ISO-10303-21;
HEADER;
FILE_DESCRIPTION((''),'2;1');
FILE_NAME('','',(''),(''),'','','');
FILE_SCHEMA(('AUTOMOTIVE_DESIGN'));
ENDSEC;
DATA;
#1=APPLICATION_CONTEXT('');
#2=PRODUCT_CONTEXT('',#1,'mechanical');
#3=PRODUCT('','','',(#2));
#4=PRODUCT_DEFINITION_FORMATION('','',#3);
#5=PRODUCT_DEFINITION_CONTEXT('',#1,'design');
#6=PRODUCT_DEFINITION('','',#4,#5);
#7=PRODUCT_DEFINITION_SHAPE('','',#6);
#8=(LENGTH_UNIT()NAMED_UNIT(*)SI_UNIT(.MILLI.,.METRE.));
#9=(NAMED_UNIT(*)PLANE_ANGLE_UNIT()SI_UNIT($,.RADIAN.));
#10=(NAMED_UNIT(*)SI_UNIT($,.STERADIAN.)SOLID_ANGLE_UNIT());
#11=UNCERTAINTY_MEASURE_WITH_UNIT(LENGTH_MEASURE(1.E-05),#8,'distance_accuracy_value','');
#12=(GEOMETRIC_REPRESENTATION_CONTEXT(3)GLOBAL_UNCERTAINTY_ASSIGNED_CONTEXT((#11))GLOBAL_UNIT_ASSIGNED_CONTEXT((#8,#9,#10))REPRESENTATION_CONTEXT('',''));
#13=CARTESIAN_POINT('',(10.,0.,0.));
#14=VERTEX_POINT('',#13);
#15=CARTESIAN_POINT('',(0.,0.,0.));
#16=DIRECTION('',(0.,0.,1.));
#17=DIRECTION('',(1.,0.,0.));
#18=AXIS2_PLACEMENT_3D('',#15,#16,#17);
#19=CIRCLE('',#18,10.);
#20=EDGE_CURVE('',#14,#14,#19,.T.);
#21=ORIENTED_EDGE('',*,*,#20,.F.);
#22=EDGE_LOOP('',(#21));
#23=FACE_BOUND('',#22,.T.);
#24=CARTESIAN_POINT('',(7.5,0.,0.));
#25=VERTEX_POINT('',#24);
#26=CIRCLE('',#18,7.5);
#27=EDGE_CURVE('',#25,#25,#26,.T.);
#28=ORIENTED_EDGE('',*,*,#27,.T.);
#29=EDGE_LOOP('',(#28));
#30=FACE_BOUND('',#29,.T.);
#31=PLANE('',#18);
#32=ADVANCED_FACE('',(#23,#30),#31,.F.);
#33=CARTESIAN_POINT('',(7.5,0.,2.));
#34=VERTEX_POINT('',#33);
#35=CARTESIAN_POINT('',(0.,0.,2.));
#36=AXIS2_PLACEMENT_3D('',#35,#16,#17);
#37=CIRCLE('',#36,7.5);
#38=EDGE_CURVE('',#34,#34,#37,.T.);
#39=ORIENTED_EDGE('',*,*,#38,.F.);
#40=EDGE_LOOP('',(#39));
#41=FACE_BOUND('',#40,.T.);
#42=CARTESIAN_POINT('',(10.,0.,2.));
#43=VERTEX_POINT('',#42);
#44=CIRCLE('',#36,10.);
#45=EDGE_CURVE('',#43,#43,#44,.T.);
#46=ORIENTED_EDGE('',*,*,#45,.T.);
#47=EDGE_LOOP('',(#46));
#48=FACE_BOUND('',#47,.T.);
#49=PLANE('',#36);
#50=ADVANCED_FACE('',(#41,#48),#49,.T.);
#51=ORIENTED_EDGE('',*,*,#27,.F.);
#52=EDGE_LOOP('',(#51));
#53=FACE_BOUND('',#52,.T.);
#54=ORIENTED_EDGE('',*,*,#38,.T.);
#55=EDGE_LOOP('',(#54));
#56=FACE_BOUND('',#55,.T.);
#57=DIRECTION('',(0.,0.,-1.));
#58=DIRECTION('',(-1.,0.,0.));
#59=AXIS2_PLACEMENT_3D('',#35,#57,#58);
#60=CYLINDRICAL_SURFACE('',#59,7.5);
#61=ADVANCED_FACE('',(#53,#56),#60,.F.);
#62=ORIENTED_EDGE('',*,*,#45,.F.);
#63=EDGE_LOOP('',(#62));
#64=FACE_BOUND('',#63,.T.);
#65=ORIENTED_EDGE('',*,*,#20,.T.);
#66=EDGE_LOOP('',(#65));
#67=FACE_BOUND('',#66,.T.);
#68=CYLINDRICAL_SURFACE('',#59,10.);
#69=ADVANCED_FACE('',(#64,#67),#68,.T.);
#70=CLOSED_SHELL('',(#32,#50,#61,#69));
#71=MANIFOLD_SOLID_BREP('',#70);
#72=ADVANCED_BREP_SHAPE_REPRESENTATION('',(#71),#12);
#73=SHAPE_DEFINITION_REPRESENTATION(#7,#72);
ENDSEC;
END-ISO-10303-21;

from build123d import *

# Parameters (mm, degrees)
ESQUISSE8_R      = 10
ESQUISSE8_R_2    = 7.5
EXTRUSION3_DEPTH = 2


with BuildPart() as part:
    # Esquisse8 → Extrusion3 (new body)
    with BuildSketch(Plane.XY):
        Circle(ESQUISSE8_R)
        Circle(ESQUISSE8_R_2, mode=Mode.SUBTRACT)
    extrude(amount=EXTRUSION3_DEPTH)


solid = part.part
